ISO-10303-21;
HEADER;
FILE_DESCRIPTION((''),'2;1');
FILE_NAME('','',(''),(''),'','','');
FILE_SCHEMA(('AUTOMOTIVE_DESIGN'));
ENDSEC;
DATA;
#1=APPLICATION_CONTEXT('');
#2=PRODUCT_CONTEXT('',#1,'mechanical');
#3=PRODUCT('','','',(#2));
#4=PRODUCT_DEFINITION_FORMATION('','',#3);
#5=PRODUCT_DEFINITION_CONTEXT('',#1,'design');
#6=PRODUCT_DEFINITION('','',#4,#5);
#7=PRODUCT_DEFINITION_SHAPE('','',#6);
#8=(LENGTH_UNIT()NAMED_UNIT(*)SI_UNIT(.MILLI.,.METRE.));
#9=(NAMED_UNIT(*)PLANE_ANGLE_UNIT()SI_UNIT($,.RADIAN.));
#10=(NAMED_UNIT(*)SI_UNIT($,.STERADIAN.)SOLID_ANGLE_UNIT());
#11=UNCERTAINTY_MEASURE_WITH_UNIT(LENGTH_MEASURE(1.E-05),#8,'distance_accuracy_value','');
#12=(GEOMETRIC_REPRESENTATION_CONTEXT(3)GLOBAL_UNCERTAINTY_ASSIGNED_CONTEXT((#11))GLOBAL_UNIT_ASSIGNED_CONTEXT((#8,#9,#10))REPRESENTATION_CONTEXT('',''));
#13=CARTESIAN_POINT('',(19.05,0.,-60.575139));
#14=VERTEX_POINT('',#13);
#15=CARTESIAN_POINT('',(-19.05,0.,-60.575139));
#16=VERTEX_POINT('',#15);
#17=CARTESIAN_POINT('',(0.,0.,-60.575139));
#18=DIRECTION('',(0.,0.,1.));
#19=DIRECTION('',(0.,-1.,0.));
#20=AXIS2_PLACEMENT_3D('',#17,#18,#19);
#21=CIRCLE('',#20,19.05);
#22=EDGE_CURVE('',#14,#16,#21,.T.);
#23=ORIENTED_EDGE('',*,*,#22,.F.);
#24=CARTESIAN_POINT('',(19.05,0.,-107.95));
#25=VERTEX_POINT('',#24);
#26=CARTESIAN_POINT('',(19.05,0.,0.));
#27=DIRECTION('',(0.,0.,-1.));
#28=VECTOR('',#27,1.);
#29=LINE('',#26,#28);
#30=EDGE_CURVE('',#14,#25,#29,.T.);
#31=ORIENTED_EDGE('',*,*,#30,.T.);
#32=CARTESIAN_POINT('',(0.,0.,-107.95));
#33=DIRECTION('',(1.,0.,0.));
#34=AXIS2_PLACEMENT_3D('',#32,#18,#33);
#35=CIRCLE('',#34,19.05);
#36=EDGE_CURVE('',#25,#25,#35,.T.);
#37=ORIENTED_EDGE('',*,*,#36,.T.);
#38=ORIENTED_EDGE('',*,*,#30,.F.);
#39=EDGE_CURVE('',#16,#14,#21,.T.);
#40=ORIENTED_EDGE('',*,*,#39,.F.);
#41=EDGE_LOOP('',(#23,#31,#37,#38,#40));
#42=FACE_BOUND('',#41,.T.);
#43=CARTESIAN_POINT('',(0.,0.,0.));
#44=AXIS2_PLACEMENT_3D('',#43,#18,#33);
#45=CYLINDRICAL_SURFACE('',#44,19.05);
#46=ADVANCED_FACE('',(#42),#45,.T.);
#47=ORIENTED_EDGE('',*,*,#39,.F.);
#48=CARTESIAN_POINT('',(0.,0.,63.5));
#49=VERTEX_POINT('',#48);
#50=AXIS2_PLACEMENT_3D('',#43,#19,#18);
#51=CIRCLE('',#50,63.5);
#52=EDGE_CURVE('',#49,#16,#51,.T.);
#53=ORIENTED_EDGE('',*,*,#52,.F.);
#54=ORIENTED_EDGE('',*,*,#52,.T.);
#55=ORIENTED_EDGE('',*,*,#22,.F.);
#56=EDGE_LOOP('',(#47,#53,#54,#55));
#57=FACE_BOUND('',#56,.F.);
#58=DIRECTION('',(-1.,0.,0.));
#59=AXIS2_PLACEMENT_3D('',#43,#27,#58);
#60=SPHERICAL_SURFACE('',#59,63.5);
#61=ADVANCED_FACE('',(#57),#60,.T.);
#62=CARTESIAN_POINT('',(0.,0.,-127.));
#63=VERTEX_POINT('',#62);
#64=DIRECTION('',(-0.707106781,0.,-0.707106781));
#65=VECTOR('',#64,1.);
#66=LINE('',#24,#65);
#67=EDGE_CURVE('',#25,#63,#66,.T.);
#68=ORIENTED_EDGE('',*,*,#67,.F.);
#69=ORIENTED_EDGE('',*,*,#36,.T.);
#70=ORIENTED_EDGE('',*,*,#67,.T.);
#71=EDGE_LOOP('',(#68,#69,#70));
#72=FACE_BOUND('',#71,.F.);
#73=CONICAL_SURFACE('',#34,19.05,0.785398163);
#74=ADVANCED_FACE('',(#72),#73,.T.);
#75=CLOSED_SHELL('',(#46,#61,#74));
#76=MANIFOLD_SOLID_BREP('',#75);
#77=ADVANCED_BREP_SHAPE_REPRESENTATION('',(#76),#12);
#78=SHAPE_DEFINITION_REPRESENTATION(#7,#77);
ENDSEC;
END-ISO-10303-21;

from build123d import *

# Parameters (mm, degrees)
F2_R     = 19.05
F3_DEPTH = 127
F4_SIZE  = 19.05


with BuildPart() as f1:
    # F0 (on Front) → F1 (revolve)
    with BuildSketch(Plane.XZ):
        with BuildLine():
            Line((0, 0), (0, 63.5))
            ThreePointArc((0, 63.5), (-63.5, 0), (0, -63.5))
            Line((0, -63.5), (0, 0))
        make_face()
    revolve(axis=Axis((0, 0, 31.75), (0, 0, 1)))

    # F2 (on Top) → F3 (join)
    with BuildSketch(Plane.XY):
        Circle(F2_R)
    extrude(amount=-F3_DEPTH)

    # F4
    f4_edges = [f1.edges().sort_by_distance(p)[0] for p in [
        (-19.05, 0, -127),
    ]]
    chamfer(f4_edges, length=F4_SIZE)


solid = f1.part
